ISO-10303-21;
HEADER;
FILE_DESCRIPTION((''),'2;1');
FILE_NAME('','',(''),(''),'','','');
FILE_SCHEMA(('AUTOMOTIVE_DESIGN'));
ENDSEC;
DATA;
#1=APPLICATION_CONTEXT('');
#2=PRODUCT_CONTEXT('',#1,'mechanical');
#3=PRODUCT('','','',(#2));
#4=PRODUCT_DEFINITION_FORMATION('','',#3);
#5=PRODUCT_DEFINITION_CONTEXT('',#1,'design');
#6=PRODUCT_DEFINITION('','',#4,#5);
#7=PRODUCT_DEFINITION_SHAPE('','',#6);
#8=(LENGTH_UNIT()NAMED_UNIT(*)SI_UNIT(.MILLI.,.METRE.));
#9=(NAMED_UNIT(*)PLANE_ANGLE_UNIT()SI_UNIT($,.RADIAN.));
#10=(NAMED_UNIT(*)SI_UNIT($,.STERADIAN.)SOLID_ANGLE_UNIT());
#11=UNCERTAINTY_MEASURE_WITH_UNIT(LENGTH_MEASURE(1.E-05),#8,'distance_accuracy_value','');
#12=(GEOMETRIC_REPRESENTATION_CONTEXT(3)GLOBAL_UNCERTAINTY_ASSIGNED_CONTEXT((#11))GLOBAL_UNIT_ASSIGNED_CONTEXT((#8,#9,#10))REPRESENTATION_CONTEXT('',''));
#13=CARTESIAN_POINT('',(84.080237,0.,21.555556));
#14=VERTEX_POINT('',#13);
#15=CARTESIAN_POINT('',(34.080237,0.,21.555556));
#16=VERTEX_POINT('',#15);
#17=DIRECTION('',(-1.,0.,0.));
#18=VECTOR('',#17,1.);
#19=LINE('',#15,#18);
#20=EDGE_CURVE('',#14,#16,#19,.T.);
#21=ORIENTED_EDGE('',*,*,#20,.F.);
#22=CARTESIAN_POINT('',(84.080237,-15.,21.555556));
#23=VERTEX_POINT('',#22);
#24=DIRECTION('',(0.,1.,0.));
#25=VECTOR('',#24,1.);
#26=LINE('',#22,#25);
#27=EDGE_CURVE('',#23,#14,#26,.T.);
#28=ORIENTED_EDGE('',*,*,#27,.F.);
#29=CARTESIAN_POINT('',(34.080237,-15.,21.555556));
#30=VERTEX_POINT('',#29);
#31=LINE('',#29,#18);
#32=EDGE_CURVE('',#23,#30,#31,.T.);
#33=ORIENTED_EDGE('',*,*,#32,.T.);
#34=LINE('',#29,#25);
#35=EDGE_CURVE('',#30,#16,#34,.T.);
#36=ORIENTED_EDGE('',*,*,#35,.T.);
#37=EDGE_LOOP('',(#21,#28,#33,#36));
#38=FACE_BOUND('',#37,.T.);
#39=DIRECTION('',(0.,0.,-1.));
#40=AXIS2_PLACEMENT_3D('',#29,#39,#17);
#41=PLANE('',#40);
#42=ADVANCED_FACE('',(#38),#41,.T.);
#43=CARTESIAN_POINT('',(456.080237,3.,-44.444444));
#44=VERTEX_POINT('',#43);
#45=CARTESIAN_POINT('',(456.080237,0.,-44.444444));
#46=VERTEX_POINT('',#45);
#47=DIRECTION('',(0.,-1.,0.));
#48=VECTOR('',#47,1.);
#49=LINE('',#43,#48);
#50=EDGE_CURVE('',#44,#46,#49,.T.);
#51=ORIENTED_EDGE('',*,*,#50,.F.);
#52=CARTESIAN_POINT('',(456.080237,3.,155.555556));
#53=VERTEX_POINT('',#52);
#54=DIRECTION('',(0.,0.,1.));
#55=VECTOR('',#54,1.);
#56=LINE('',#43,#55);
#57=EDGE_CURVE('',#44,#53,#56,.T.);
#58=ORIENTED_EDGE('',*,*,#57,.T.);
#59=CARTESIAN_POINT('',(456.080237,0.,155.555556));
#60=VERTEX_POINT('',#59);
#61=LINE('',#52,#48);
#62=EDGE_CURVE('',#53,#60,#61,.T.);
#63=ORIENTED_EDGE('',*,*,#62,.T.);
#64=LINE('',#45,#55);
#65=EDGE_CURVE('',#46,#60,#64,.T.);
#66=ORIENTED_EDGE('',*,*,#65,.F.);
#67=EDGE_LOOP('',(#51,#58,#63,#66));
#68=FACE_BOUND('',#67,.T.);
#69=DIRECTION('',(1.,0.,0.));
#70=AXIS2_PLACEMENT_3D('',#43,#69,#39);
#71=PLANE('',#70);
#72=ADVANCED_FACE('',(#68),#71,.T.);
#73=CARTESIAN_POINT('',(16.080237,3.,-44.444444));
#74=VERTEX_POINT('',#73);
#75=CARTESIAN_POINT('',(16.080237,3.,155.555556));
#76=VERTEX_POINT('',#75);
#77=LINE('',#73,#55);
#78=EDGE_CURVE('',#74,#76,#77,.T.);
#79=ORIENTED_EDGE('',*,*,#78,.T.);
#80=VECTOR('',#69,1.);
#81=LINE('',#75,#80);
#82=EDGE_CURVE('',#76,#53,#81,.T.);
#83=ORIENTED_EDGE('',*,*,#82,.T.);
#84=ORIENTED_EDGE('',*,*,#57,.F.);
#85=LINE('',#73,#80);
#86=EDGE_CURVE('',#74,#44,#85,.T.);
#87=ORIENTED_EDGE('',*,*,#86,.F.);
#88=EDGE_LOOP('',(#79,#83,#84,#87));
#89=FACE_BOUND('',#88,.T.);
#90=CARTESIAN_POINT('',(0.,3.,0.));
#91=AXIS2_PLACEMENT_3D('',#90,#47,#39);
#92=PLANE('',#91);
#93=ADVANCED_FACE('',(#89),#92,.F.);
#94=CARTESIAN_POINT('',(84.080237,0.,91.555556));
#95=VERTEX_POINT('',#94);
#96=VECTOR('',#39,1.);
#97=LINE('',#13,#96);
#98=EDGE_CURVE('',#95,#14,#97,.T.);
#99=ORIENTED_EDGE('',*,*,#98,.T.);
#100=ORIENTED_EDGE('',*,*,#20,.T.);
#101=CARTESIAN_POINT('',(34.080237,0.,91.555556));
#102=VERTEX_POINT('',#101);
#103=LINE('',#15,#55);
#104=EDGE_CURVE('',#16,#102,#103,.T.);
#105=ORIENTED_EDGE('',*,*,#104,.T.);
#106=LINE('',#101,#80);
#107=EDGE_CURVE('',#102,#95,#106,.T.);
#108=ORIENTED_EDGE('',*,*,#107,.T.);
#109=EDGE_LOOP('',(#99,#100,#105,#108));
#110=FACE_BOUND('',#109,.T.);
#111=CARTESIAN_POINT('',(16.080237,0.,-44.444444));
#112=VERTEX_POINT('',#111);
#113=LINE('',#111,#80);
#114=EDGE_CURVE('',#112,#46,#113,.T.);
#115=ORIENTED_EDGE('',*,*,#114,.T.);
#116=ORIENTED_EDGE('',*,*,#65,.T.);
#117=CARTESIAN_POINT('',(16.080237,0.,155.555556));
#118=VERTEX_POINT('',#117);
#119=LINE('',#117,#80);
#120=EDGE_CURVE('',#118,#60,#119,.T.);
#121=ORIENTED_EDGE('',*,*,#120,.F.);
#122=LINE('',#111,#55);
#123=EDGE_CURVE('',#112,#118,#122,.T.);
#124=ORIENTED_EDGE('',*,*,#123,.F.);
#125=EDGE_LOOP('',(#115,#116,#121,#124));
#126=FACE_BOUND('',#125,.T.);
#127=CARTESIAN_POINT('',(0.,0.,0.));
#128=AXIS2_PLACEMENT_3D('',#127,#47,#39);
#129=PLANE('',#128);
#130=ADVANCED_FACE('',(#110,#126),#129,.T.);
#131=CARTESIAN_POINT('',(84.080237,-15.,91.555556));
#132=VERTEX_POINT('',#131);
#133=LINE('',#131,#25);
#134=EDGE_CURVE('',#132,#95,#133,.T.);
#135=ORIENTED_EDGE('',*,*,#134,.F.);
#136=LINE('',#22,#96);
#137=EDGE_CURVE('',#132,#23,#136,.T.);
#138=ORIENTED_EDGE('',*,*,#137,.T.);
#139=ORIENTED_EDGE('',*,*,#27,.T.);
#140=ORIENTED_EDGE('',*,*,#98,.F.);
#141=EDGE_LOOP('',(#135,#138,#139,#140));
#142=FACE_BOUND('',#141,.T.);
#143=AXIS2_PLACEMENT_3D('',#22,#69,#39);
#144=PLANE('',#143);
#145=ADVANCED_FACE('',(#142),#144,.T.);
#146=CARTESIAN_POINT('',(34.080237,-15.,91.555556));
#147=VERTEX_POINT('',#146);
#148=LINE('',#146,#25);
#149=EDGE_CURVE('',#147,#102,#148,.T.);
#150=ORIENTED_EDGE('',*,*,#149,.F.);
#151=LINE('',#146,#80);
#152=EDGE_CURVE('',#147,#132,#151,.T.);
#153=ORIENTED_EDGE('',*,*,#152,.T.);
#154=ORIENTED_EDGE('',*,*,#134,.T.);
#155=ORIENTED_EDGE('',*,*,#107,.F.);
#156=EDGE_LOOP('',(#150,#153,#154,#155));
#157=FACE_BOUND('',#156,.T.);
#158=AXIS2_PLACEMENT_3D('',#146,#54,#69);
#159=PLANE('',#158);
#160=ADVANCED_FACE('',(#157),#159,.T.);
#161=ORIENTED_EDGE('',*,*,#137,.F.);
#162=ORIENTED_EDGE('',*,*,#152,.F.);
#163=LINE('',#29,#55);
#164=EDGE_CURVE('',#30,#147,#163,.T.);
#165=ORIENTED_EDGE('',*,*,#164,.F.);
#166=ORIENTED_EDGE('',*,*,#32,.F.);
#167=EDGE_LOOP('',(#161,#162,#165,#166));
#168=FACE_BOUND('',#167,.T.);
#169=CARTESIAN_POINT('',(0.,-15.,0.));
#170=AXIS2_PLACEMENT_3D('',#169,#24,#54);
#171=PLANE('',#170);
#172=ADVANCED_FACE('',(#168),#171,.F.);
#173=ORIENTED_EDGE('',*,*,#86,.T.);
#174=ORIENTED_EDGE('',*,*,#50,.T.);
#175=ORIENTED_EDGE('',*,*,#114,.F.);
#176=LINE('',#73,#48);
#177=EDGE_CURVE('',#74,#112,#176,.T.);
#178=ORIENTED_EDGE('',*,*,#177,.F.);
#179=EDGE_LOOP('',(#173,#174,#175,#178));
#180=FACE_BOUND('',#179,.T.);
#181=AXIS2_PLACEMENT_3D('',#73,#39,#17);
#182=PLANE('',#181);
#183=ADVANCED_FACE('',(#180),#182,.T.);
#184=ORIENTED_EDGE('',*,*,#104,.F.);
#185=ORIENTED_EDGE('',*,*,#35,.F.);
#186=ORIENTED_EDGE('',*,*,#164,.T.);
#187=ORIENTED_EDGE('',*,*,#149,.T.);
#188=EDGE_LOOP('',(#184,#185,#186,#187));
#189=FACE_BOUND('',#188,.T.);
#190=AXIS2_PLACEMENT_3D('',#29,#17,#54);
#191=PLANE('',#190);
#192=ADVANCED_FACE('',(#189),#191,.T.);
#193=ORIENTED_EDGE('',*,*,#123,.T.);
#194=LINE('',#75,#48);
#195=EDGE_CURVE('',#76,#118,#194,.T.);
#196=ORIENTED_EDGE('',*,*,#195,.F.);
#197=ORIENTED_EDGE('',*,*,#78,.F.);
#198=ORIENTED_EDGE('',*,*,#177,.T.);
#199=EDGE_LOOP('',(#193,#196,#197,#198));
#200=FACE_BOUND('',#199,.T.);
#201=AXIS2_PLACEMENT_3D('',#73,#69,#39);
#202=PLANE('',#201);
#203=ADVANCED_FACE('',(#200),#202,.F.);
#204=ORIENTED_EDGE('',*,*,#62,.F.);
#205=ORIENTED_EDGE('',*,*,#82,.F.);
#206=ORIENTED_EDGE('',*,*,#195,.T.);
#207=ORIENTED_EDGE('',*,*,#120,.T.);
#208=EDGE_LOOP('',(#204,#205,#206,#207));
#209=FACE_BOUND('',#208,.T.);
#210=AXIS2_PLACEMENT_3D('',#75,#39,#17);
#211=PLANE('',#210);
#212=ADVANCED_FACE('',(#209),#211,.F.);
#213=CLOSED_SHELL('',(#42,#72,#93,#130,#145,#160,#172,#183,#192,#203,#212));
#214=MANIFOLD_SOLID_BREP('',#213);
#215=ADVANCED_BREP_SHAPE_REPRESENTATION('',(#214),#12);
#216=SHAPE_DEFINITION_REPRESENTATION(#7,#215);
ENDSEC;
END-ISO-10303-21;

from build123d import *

# Parameters (mm, degrees)
ESBO_O2_W                = 440
ESBO_O2_H                = 200
RESSALTO_EXTRUS_O3_DEPTH = 3
ESBO_O3_W                = 50
ESBO_O3_H                = 70
RESSALTO_EXTRUS_O4_DEPTH = 15


with BuildPart() as part:
    # Esboço2 → Ressalto-extrusão3 (new body)
    with BuildSketch(Plane(origin=(0, 0, 0), x_dir=(1, 0, 0), z_dir=(0, 1, 0))):
        with Locations((236.080237004, -55.555555556)):
            Rectangle(ESBO_O2_W, ESBO_O2_H)
    extrude(amount=RESSALTO_EXTRUS_O3_DEPTH)

    # Esboço3 → Ressalto-extrusão4 (add)
    with BuildSketch(Plane(origin=(0, 0, 0), x_dir=(1, 0, 0), z_dir=(0, 1, 0))):
        with Locations((59.080237004, -56.555555556)):
            Rectangle(ESBO_O3_W, ESBO_O3_H)
    extrude(amount=-RESSALTO_EXTRUS_O4_DEPTH)


solid = part.part
